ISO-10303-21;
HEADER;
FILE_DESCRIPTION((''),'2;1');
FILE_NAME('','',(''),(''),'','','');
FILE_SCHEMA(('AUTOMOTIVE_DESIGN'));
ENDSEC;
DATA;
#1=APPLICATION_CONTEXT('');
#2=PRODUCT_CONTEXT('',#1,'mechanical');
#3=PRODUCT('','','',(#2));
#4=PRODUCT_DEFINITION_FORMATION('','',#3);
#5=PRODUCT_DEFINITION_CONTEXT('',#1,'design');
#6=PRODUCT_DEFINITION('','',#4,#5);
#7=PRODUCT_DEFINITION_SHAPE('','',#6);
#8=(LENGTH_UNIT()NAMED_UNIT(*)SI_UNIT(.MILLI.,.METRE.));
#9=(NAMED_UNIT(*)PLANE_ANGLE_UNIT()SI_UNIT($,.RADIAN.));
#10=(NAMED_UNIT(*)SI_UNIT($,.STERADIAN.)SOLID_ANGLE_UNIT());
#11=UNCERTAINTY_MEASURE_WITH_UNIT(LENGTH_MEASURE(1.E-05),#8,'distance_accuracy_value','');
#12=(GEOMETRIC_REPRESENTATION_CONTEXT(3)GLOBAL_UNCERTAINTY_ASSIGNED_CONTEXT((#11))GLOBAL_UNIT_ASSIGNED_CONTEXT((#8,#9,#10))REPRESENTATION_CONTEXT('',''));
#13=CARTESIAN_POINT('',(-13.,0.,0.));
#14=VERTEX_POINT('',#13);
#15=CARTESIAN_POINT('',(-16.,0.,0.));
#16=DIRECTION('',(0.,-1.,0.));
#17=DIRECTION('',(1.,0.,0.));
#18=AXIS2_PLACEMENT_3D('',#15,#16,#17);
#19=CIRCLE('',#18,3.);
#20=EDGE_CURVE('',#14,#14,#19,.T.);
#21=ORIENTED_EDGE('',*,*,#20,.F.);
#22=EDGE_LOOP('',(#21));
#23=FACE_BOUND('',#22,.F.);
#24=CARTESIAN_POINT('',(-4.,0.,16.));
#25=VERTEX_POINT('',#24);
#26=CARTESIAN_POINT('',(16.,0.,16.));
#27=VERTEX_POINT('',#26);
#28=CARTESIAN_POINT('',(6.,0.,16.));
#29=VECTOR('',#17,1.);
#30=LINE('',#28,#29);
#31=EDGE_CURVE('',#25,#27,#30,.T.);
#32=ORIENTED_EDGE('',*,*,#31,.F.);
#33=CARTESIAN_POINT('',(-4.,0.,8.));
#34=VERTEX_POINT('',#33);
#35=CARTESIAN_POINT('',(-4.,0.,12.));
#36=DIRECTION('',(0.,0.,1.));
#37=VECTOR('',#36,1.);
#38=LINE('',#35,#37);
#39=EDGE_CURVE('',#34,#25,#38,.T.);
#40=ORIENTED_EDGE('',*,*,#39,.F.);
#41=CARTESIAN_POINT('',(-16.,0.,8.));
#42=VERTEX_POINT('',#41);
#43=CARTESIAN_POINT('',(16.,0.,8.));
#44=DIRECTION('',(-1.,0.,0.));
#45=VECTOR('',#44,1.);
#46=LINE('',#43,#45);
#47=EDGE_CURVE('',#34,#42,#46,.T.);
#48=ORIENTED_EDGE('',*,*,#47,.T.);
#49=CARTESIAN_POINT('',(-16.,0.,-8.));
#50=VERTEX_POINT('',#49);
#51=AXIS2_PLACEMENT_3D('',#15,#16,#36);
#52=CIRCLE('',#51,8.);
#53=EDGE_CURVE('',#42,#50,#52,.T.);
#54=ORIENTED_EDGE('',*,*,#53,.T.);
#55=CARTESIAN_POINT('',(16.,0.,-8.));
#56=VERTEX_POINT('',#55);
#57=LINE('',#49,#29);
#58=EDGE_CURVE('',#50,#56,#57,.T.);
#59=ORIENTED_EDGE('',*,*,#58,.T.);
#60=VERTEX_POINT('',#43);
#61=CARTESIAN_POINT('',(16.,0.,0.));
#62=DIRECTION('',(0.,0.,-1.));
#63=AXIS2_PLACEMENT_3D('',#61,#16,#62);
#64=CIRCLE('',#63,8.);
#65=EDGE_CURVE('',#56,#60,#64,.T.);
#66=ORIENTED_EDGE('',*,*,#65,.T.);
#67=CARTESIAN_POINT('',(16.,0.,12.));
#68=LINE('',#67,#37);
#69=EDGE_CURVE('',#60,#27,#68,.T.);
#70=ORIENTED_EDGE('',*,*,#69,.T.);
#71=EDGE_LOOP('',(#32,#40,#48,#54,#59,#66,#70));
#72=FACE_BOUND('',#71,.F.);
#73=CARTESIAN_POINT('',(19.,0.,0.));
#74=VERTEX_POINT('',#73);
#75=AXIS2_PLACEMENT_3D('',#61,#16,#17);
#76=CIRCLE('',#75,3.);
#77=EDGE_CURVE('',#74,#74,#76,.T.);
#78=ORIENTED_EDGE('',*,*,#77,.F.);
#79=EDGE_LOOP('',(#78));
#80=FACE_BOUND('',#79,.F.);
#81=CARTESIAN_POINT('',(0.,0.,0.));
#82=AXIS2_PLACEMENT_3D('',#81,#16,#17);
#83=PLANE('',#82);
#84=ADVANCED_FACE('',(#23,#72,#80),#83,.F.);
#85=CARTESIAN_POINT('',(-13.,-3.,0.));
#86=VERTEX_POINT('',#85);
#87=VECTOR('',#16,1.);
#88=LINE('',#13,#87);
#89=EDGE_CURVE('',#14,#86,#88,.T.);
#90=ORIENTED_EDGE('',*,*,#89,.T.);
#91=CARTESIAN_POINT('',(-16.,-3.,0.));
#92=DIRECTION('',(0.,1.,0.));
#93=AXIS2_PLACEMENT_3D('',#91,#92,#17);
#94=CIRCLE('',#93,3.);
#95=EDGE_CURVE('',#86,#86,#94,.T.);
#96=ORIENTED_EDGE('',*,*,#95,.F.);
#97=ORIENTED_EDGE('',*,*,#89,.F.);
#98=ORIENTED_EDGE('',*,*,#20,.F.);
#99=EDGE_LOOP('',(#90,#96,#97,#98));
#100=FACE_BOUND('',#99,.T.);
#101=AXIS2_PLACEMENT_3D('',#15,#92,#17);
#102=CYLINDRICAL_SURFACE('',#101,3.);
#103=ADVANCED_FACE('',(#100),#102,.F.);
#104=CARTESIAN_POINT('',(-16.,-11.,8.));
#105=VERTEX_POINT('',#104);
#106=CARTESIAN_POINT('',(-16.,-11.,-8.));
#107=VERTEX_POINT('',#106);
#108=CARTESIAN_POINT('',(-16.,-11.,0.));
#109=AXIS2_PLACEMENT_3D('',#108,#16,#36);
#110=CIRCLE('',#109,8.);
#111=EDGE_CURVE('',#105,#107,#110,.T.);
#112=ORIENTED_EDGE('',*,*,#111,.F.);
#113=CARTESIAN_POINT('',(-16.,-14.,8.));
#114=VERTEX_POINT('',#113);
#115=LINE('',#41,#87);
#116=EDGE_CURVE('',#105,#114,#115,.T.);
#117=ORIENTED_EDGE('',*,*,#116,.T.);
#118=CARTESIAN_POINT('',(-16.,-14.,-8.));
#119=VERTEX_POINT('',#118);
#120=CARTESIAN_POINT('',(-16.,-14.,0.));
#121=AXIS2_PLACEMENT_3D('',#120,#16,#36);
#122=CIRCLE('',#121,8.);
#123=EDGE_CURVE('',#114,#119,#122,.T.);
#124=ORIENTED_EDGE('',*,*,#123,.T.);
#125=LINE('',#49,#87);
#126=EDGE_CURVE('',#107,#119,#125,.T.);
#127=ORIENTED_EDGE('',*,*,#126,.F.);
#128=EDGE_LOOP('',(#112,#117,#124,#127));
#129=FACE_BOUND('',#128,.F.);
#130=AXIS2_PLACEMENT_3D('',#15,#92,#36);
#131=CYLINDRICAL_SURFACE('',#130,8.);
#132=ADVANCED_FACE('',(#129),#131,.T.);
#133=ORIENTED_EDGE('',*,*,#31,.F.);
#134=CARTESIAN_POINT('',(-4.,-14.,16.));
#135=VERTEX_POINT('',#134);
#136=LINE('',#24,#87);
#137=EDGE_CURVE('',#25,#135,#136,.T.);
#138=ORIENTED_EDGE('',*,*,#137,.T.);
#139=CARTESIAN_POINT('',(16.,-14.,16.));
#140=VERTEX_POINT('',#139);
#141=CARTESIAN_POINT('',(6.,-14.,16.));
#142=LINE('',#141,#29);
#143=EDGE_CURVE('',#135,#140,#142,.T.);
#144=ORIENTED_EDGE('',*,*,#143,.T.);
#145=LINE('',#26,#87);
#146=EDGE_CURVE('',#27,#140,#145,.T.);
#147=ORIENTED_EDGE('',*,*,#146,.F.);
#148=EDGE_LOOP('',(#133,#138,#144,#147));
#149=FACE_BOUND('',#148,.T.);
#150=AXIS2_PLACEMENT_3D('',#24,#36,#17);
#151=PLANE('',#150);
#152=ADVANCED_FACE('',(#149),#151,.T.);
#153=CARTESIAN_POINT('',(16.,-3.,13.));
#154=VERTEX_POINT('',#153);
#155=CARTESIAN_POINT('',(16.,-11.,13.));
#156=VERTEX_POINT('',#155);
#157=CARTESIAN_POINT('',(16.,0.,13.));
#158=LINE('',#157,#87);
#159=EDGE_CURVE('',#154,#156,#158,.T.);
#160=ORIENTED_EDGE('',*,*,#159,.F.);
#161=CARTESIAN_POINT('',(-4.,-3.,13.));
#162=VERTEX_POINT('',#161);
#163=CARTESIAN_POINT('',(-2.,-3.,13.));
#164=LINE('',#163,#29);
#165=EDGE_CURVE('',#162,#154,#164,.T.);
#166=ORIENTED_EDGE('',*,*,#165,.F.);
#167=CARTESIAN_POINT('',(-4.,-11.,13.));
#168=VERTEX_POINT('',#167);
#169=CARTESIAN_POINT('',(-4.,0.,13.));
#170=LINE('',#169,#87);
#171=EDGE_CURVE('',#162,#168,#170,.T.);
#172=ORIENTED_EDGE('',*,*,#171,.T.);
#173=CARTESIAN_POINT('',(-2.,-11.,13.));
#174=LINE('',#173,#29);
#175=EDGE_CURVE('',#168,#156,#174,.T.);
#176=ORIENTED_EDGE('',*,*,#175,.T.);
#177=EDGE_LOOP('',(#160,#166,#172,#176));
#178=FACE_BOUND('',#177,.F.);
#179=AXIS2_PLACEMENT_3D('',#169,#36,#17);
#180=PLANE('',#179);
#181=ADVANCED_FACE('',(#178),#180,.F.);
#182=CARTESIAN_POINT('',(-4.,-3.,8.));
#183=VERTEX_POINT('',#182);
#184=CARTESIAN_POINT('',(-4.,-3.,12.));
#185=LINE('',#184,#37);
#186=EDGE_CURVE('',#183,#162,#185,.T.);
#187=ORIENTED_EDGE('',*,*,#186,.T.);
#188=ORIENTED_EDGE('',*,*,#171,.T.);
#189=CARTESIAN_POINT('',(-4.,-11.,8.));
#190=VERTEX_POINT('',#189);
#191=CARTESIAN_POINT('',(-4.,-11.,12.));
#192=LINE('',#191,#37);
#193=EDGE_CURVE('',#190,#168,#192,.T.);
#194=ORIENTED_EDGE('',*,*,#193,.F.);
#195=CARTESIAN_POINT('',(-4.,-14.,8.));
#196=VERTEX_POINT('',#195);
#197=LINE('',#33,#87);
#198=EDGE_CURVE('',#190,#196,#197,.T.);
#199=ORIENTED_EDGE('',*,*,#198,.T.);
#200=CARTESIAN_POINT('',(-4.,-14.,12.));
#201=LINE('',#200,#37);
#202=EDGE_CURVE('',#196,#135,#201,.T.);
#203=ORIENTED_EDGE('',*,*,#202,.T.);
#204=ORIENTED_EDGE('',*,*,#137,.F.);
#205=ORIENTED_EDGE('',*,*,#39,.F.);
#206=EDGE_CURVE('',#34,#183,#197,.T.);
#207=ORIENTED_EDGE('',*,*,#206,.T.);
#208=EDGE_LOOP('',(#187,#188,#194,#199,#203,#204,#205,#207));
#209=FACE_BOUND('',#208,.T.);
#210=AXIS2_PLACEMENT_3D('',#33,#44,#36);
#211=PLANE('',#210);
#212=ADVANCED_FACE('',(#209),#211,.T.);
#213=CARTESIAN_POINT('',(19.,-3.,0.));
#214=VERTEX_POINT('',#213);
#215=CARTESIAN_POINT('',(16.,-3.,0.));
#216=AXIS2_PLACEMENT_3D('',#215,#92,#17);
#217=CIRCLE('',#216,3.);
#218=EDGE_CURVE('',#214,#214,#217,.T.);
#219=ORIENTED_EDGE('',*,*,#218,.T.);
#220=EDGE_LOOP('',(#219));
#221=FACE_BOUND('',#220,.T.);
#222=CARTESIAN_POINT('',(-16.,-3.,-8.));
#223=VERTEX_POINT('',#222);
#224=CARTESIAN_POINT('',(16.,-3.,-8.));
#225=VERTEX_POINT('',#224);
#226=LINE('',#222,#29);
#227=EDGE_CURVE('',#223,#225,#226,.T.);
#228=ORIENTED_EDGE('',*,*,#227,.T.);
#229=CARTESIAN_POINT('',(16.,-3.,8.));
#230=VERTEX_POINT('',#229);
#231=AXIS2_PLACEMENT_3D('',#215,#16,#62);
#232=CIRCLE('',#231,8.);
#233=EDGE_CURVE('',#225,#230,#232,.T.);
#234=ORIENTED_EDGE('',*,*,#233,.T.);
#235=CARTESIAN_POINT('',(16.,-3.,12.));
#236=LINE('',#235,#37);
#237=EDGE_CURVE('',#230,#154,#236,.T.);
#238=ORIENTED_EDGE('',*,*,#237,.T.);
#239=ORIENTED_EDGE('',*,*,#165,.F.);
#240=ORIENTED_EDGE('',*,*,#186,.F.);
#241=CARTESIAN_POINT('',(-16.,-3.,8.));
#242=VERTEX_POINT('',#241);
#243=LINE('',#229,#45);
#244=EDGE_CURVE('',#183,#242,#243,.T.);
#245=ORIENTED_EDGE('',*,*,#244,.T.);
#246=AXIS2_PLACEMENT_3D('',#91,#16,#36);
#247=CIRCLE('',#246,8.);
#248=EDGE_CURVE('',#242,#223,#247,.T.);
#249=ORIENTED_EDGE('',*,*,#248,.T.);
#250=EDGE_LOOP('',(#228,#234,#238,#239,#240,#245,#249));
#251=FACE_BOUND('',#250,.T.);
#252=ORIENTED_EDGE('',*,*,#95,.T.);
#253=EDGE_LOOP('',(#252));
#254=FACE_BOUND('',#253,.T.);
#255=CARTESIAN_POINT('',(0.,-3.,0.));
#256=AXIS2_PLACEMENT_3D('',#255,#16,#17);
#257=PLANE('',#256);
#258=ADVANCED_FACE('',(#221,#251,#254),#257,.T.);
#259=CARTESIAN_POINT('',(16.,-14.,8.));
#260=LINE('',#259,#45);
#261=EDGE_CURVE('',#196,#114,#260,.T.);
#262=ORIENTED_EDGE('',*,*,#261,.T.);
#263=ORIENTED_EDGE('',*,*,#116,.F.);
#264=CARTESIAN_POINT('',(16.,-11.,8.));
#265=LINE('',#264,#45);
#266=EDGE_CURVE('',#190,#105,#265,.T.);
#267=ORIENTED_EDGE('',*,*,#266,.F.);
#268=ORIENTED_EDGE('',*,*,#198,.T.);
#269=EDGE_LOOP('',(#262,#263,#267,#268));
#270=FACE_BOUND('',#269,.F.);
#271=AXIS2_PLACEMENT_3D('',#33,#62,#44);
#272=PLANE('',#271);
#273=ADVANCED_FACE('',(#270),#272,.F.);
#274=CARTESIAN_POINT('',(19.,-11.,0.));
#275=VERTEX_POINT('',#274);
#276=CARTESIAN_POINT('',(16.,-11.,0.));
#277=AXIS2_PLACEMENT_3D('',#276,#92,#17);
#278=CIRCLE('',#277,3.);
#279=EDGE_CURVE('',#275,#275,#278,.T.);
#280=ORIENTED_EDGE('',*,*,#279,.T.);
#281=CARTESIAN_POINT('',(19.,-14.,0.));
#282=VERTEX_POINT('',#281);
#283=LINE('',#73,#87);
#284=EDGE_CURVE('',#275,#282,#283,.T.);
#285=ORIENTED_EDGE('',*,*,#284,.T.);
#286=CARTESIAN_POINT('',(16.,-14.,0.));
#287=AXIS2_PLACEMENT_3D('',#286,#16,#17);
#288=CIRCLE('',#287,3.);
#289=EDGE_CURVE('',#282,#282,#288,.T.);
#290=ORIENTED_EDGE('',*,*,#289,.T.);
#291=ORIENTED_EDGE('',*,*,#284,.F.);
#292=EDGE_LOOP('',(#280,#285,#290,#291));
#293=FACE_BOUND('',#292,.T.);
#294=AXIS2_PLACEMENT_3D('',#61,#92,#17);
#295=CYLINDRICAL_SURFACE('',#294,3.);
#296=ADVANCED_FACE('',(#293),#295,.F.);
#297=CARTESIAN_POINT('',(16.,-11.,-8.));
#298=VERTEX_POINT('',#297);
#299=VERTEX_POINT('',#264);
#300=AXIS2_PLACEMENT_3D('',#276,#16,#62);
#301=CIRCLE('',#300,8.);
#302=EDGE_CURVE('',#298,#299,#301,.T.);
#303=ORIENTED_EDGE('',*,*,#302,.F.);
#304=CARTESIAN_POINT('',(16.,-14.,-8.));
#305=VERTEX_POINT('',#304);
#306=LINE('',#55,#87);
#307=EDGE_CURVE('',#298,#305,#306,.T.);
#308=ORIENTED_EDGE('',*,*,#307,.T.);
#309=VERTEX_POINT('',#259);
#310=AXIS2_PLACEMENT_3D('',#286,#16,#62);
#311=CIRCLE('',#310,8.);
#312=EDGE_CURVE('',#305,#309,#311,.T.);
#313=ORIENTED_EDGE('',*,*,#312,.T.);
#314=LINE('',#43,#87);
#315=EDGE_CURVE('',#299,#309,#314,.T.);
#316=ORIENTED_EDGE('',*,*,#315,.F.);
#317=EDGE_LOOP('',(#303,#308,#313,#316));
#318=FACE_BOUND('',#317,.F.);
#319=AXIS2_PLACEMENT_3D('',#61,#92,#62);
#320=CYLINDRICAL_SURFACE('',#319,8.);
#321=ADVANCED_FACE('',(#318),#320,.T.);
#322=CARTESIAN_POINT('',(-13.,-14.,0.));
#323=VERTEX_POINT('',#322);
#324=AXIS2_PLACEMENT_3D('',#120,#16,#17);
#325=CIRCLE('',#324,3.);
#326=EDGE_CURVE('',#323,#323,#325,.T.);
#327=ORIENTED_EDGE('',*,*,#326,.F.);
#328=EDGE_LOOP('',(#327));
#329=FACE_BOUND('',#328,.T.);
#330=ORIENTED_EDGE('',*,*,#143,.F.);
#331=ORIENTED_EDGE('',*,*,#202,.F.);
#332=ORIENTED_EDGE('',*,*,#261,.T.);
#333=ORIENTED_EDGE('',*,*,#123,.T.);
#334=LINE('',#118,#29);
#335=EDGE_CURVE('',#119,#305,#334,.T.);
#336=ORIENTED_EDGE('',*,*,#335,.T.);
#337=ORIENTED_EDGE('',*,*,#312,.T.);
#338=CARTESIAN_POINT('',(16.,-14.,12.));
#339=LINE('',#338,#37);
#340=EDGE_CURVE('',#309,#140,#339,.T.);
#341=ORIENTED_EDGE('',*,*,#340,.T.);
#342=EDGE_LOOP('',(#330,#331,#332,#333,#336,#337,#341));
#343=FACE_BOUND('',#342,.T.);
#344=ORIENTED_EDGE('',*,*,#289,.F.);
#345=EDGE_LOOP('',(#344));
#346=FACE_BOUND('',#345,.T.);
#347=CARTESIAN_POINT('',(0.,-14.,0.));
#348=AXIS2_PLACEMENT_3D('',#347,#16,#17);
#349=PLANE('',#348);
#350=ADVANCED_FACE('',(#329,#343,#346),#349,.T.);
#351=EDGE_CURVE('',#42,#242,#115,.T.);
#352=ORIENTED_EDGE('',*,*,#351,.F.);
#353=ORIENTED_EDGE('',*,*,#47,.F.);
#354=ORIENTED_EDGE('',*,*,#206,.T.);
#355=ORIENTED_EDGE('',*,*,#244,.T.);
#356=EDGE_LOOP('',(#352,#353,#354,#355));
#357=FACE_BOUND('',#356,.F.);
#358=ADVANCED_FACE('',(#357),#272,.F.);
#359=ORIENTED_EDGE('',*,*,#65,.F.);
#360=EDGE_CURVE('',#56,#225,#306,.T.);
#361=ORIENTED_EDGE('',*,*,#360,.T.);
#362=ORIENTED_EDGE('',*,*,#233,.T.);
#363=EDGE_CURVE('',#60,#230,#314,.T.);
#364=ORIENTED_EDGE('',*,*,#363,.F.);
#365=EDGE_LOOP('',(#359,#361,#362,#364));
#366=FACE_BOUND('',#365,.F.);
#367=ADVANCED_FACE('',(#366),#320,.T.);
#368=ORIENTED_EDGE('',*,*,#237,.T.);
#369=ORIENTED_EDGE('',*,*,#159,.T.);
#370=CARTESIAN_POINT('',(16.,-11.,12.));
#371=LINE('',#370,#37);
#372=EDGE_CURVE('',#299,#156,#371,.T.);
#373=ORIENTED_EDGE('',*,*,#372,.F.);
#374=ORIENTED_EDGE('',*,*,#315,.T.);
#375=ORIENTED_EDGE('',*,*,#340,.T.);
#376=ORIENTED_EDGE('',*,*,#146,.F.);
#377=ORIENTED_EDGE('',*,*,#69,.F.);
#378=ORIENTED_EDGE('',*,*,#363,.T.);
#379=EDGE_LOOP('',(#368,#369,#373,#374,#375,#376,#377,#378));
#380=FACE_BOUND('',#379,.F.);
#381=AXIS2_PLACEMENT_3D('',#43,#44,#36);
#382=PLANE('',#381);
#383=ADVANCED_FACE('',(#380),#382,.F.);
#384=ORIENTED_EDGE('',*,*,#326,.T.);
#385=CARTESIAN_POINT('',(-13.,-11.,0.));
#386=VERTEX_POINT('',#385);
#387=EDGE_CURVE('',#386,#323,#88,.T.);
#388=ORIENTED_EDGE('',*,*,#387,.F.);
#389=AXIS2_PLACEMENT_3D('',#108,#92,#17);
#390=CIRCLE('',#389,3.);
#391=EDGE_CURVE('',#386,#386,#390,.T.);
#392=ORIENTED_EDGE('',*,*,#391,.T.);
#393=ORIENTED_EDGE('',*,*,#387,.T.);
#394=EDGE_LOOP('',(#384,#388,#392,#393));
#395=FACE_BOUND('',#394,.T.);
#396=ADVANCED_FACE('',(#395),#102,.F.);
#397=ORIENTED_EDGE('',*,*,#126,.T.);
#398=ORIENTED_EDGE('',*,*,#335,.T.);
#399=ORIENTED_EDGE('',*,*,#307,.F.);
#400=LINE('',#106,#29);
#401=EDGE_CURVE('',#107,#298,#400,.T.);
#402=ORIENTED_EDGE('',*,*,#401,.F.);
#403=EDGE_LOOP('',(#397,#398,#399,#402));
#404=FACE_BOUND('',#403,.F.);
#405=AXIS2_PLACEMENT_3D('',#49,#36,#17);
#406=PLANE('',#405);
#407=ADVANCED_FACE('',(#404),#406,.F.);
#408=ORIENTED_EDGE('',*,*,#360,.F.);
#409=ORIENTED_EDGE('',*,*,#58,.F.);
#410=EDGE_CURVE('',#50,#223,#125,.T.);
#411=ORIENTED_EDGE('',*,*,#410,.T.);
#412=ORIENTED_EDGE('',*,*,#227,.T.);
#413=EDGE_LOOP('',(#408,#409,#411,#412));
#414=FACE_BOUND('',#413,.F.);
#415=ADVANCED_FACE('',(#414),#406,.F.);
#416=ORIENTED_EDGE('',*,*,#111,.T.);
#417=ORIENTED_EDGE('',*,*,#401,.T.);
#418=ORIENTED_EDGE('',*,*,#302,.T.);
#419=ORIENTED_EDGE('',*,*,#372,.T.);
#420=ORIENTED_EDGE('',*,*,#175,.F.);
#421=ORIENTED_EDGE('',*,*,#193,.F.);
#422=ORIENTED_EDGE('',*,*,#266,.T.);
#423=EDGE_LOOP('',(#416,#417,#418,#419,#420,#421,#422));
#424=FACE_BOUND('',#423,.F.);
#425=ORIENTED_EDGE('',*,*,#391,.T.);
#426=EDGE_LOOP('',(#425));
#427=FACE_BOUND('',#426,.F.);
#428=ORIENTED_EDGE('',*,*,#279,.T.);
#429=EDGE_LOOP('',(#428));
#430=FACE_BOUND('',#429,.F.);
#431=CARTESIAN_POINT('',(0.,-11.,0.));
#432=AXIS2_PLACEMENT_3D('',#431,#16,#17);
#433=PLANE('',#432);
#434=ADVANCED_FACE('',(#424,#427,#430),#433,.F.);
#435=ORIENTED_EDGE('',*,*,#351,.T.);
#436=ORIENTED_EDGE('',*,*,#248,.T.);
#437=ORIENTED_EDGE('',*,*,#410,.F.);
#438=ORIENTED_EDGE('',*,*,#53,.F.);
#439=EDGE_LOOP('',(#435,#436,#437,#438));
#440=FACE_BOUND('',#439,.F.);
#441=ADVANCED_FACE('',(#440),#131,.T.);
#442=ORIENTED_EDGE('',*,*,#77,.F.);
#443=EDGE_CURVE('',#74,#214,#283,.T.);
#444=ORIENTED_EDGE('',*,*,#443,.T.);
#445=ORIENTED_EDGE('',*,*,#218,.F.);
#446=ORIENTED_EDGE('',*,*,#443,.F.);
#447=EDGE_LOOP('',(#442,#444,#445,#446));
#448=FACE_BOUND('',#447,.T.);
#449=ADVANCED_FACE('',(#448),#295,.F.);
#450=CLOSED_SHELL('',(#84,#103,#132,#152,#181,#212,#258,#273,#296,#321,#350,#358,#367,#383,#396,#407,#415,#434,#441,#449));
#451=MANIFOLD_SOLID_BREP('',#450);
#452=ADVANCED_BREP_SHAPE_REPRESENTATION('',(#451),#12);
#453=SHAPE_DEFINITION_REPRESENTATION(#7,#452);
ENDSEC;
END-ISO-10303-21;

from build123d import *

# Parameters (mm, degrees)
F0_R     = 3
F0_W     = 20
F0_H     = 8
F1_DEPTH = 14
F2_T     = -3
F3_DEPTH = 14


with BuildPart() as f1:
    # F0 (on Front) → F1 (new body)
    with BuildSketch(Plane.XZ):
        with BuildLine():
            Line((-4, 8), (-16, 8))
            ThreePointArc((-16, 8), (-24, 0), (-16, -8))
            Line((-16, -8), (16, -8))
            ThreePointArc((16, -8), (24, 0), (16, 8))
            Line((16, 8), (-4, 8))
        make_face()
        with Locations((-16, 0)):
            Circle(F0_R, mode=Mode.SUBTRACT)
        with Locations((16, 0)):
            Circle(F0_R, mode=Mode.SUBTRACT)
        with Locations((6, 12)):
            Rectangle(F0_W, F0_H)
        with Locations((-16, 0)):
            Circle(F0_R)
        with Locations((16, 0)):
            Circle(F0_R)
    extrude(amount=F1_DEPTH)

    # F2
    f2_openings = [f1.faces().sort_by_distance(p)[0] for p in [
        (-4, -7, 12),
        (-10, -7, 8),
        (-24, -7, 0),
        (0, -7, -8),
        (24, -7, 0),
        (16, -7, 12),
    ]]
    offset(amount=F2_T, openings=f2_openings)

    # F0 (on Front) → F3 (cut)
    with BuildSketch(Plane.XZ):
        with Locations((16, 0)):
            Circle(F0_R)
        with Locations((-16, 0)):
            Circle(F0_R)
    extrude(amount=F3_DEPTH, mode=Mode.SUBTRACT)


solid = f1.part
